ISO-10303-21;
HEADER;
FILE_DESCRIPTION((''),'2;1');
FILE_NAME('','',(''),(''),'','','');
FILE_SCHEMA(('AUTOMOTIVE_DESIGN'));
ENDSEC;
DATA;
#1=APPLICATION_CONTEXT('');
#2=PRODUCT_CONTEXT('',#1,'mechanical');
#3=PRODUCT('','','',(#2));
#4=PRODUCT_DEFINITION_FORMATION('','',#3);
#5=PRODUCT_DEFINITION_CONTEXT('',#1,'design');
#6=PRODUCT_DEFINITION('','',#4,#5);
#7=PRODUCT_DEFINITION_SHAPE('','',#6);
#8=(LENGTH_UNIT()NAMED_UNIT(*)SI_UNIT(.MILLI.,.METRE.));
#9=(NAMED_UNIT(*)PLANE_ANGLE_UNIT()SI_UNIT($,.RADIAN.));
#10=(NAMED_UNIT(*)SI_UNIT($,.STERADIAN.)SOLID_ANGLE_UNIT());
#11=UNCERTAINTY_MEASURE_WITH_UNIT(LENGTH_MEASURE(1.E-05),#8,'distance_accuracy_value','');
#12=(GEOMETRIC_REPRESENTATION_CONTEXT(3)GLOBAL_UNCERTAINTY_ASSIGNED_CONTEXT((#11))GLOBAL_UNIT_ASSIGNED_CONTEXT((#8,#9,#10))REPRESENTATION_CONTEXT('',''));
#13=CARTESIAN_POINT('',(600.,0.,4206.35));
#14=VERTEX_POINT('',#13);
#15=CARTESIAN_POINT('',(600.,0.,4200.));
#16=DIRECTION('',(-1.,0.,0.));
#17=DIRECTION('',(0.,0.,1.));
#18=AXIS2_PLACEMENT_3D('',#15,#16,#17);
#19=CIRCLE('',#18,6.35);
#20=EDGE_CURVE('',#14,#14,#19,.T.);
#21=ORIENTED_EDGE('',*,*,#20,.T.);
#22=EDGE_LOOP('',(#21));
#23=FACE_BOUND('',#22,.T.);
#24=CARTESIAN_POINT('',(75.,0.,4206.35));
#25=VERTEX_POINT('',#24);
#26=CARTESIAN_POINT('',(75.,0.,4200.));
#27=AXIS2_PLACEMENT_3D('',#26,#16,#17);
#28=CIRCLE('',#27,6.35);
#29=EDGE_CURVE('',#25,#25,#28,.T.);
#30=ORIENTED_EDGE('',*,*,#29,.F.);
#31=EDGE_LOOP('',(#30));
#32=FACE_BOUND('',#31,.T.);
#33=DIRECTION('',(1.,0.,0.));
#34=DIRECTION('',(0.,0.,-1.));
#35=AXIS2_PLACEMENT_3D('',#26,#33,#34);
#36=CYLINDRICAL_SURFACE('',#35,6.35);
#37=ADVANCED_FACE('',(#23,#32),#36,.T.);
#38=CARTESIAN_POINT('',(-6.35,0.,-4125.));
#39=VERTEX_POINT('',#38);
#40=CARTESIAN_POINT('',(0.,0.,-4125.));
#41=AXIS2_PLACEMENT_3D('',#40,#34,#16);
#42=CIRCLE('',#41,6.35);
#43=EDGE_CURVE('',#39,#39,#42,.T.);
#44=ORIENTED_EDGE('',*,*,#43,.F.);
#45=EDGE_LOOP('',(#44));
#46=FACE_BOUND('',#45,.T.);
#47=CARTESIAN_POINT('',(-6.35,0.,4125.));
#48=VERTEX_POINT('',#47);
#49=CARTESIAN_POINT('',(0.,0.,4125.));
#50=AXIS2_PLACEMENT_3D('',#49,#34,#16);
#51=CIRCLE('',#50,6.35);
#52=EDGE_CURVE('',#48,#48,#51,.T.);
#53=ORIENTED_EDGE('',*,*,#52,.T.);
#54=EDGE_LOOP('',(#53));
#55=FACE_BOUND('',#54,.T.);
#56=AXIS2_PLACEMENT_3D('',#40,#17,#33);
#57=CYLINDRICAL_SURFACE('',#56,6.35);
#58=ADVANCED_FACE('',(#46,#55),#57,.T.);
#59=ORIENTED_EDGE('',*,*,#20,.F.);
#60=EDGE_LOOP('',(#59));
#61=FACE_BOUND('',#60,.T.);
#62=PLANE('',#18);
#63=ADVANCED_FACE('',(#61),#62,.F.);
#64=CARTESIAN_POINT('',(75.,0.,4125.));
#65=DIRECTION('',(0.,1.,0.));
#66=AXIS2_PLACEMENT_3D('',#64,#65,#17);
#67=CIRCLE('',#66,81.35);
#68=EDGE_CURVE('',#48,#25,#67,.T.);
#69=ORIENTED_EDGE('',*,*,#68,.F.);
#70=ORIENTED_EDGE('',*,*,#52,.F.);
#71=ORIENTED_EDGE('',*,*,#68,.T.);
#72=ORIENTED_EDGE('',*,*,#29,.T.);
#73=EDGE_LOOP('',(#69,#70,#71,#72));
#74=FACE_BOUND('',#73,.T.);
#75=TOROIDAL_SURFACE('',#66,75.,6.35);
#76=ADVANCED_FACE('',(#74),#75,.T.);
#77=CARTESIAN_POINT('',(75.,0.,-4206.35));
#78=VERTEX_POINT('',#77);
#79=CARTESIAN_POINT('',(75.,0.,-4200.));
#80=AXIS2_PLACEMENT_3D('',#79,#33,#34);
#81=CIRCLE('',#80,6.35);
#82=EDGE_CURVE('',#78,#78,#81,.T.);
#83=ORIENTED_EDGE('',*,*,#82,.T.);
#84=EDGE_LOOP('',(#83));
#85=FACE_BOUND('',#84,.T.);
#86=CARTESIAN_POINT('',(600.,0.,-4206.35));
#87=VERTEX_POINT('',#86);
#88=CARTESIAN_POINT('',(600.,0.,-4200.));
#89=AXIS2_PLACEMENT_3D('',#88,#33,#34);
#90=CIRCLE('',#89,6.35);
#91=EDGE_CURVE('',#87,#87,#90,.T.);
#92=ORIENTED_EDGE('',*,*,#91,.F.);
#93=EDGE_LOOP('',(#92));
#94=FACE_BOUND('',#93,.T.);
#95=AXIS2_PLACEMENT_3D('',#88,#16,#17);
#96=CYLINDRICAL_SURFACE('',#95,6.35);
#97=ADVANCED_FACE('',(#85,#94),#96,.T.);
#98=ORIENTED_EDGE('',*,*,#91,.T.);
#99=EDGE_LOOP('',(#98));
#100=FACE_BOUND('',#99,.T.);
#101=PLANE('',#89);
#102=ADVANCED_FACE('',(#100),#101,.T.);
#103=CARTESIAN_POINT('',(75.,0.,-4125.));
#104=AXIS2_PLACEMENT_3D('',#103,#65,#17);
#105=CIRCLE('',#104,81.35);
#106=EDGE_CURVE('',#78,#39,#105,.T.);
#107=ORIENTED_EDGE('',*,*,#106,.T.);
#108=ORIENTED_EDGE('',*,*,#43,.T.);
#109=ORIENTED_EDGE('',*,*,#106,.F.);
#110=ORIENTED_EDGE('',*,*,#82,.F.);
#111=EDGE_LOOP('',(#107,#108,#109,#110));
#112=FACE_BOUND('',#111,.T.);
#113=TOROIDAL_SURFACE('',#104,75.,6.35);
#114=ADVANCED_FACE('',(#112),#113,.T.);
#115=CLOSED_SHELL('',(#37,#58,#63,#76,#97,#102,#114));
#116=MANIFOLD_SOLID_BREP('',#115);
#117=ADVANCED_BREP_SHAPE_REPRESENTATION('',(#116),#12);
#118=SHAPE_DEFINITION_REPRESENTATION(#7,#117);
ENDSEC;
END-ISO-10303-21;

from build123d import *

# Parameters (mm, degrees)
SWEEP1_PROFILE_R = 6.35


with BuildPart() as part:
    # Sweep1: sweep along a path in Sketch1
    with BuildLine(Plane(origin=(0, 0, 0), x_dir=(1, 0, 0), z_dir=(0, 1, 0))) as sweep1_path:
        Line((600, 4200), (75, 4200))
        ThreePointArc((75, 4200), (21.966991411, 4178.033008589), (0, 4125))
        Line((0, 4125), (0, -4125))
        ThreePointArc((0, -4125), (21.966991411, -4178.033008589), (75, -4200))
        Line((75, -4200), (600, -4200))
    # Sweep1 profile (on start of the path) → Sweep1 (sweep)
    with BuildSketch(Plane(origin=(600, 0, -4200), x_dir=(0, 0, -1), z_dir=(-1, 0, 0))):
        Circle(SWEEP1_PROFILE_R)
    sweep(path=sweep1_path.line)


solid = part.part
